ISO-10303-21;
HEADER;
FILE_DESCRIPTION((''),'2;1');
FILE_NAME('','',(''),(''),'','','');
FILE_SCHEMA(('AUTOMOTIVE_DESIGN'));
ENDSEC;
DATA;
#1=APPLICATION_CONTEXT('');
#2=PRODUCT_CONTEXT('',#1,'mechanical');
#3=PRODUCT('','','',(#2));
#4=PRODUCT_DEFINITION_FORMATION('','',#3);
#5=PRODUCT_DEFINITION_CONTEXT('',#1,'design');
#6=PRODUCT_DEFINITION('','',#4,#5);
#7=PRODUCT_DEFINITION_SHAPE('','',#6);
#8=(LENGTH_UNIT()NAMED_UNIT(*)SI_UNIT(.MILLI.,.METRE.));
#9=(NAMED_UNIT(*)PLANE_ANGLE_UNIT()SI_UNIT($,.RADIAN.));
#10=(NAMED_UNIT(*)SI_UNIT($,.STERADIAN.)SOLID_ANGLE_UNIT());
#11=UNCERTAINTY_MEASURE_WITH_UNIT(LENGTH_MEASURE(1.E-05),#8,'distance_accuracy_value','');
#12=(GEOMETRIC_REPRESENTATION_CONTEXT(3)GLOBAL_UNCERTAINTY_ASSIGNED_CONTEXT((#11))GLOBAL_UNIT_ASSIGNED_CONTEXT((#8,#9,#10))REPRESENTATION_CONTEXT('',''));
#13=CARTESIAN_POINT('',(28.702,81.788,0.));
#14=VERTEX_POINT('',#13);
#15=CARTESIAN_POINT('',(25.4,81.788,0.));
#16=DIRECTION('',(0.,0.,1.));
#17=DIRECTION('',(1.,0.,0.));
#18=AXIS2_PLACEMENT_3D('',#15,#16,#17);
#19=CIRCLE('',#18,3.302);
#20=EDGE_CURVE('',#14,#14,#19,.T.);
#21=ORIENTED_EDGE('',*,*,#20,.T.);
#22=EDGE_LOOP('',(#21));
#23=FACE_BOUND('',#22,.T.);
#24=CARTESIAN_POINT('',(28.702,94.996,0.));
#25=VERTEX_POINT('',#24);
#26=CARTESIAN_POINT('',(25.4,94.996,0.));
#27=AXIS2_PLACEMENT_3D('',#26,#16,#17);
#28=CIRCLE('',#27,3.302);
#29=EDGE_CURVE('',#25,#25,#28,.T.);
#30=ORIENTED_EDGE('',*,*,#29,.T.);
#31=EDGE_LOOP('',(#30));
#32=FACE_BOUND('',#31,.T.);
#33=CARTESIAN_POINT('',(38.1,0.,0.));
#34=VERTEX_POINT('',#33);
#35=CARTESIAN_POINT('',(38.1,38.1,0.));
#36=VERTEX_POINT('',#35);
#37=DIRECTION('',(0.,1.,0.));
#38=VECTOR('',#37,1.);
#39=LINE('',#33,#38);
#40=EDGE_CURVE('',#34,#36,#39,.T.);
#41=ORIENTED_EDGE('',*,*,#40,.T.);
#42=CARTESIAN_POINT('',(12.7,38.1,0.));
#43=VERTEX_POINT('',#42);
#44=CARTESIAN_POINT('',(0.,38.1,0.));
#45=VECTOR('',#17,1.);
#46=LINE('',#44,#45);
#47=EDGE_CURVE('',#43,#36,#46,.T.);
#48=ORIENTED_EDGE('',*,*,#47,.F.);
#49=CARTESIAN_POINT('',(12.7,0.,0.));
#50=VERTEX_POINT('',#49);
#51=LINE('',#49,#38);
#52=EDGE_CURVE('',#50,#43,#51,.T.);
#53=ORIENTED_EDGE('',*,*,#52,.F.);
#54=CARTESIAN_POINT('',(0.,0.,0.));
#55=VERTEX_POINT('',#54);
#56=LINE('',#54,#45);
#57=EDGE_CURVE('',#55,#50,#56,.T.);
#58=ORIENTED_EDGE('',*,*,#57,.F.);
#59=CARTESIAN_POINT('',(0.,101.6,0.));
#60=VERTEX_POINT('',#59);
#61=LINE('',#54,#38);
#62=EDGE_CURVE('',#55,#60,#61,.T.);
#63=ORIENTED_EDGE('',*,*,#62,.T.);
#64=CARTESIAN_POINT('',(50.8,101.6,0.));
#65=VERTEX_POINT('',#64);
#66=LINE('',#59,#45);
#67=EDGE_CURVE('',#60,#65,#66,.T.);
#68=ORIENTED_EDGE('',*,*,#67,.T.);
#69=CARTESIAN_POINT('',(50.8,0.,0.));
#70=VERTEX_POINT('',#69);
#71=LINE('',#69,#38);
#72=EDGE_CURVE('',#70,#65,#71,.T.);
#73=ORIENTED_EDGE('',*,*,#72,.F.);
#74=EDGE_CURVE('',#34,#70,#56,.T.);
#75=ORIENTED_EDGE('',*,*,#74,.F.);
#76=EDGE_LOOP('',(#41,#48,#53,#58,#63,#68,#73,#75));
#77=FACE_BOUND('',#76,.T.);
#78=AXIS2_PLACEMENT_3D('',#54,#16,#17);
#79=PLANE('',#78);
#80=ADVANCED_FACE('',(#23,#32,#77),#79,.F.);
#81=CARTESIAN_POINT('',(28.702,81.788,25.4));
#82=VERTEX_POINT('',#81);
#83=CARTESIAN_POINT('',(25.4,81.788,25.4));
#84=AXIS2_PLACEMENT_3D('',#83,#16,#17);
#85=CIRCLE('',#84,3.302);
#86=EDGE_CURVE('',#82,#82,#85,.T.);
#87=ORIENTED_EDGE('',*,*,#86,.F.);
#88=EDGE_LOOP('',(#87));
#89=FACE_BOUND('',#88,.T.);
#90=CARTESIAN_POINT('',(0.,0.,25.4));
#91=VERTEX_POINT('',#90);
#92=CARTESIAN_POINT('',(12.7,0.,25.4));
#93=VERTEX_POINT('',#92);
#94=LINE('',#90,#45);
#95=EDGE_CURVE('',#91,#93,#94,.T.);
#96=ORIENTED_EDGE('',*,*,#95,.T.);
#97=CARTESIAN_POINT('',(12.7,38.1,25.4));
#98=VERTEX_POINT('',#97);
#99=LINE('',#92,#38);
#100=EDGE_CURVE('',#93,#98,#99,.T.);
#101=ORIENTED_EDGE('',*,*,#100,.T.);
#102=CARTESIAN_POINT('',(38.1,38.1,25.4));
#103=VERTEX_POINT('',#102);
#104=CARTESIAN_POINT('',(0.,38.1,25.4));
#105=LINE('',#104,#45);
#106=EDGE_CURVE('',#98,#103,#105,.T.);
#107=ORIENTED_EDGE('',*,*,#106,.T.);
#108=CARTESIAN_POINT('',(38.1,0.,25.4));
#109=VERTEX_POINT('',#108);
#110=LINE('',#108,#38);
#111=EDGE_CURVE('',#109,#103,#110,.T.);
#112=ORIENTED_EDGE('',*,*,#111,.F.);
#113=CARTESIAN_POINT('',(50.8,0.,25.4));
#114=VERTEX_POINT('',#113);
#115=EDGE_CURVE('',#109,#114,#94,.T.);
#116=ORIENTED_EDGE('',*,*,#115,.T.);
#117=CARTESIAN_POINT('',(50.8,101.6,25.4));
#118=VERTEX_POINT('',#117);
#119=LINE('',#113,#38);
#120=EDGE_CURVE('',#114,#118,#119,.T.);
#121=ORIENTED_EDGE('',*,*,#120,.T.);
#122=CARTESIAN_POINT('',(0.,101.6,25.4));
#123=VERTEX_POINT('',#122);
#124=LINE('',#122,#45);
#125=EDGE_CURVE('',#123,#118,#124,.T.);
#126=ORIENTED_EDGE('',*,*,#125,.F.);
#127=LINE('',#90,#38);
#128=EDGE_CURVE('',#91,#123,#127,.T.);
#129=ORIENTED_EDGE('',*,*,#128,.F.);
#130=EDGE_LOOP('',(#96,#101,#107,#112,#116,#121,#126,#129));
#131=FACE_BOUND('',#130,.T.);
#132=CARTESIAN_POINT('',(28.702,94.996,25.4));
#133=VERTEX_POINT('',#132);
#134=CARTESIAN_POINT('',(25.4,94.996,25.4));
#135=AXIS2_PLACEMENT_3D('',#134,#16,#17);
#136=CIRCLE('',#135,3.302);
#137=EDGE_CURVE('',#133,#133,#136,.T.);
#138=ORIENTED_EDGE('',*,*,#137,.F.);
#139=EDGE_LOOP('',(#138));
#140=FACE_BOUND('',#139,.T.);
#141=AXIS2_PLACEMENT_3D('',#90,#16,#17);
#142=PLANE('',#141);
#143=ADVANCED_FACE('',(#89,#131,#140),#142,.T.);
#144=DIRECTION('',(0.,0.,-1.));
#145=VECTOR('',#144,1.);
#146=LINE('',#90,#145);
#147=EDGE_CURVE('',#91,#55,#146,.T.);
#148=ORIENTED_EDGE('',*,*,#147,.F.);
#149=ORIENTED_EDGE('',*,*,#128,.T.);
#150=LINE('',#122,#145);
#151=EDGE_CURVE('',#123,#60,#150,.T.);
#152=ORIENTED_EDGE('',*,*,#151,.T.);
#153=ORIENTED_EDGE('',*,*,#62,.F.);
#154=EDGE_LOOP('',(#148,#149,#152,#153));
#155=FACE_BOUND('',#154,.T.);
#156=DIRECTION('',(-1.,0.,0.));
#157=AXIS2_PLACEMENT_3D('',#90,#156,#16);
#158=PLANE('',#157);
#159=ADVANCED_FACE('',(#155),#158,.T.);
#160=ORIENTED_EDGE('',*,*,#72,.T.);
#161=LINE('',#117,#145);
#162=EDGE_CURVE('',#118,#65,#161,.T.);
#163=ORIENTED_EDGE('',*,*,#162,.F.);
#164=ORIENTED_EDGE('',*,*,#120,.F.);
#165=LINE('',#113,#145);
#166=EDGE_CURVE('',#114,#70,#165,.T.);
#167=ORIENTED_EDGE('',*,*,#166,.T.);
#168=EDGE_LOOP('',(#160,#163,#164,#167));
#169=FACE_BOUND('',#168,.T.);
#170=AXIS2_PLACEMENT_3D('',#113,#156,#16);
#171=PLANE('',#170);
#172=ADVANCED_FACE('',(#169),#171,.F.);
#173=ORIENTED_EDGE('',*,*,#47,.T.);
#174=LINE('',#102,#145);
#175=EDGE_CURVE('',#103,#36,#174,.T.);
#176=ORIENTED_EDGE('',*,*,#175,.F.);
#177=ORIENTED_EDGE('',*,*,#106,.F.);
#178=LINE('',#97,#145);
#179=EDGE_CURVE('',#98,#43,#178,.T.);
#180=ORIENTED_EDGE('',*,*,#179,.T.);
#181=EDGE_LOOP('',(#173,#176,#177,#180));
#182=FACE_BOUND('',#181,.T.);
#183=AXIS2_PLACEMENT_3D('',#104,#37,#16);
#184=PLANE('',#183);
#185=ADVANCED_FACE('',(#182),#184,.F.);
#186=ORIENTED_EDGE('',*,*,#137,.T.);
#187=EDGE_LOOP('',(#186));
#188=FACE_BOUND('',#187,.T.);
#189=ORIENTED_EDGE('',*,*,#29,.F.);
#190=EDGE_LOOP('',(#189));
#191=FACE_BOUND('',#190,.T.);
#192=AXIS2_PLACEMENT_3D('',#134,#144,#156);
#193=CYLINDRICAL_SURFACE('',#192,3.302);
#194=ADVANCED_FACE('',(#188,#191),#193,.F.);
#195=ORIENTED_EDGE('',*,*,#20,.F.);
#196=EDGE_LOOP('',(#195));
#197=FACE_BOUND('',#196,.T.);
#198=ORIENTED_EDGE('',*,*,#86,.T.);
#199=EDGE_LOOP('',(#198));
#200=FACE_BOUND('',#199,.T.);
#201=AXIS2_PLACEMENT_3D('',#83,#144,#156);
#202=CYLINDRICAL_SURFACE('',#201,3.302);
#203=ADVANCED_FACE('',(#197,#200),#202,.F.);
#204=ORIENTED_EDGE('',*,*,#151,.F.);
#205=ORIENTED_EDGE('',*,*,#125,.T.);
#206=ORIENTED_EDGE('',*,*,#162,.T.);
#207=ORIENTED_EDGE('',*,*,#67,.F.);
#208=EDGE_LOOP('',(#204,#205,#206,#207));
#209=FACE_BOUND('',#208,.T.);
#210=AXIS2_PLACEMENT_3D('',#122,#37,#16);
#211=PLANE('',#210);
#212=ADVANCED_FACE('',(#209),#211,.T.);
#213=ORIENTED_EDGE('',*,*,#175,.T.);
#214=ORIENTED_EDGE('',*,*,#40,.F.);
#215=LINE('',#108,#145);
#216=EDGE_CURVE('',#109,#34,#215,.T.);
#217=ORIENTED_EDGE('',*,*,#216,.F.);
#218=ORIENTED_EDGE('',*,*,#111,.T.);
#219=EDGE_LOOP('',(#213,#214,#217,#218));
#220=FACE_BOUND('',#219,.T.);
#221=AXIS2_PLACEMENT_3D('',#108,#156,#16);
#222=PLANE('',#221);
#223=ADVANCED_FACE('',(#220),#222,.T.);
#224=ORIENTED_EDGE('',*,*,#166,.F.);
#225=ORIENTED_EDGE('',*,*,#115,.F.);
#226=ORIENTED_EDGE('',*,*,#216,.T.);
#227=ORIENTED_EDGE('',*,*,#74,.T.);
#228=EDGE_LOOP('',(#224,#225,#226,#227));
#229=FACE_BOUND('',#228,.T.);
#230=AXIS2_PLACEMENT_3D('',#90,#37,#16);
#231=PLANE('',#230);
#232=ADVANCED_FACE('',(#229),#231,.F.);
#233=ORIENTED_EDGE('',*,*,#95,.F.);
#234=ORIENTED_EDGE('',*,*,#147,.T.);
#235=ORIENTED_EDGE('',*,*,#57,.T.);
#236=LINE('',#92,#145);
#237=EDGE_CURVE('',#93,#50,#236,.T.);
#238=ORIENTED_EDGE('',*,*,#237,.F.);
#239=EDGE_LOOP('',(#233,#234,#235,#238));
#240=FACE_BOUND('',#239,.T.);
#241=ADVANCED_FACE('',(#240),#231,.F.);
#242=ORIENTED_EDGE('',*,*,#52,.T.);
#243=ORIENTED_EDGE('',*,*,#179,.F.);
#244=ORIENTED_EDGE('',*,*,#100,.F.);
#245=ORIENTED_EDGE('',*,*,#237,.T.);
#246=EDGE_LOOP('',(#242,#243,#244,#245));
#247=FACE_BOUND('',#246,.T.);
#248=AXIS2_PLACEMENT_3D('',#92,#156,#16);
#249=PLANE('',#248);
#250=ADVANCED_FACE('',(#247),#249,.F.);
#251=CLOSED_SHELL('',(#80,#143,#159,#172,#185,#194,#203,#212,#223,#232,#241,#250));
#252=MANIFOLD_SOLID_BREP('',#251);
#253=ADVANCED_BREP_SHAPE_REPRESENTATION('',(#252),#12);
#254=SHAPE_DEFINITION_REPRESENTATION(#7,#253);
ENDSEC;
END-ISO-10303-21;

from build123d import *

# Parameters (mm, degrees)
SKETCH2_R           = 3.302
BOSS_EXTRUDE1_DEPTH = 25.4


with BuildPart() as part:
    # Sketch2 → Boss-Extrude1 (new body)
    with BuildSketch(Plane.XY):
        Polygon((0, 101.6), (0, 0), (12.7, 0), (12.7, 38.1), (38.1, 38.1), (38.1, 0), (50.8, 0), (50.8, 101.6), align=None)
        with Locations((25.4, 81.788)):
            Circle(SKETCH2_R, mode=Mode.SUBTRACT)
        with Locations((25.4, 94.996)):
            Circle(SKETCH2_R, mode=Mode.SUBTRACT)
    extrude(amount=BOSS_EXTRUDE1_DEPTH)


solid = part.part
